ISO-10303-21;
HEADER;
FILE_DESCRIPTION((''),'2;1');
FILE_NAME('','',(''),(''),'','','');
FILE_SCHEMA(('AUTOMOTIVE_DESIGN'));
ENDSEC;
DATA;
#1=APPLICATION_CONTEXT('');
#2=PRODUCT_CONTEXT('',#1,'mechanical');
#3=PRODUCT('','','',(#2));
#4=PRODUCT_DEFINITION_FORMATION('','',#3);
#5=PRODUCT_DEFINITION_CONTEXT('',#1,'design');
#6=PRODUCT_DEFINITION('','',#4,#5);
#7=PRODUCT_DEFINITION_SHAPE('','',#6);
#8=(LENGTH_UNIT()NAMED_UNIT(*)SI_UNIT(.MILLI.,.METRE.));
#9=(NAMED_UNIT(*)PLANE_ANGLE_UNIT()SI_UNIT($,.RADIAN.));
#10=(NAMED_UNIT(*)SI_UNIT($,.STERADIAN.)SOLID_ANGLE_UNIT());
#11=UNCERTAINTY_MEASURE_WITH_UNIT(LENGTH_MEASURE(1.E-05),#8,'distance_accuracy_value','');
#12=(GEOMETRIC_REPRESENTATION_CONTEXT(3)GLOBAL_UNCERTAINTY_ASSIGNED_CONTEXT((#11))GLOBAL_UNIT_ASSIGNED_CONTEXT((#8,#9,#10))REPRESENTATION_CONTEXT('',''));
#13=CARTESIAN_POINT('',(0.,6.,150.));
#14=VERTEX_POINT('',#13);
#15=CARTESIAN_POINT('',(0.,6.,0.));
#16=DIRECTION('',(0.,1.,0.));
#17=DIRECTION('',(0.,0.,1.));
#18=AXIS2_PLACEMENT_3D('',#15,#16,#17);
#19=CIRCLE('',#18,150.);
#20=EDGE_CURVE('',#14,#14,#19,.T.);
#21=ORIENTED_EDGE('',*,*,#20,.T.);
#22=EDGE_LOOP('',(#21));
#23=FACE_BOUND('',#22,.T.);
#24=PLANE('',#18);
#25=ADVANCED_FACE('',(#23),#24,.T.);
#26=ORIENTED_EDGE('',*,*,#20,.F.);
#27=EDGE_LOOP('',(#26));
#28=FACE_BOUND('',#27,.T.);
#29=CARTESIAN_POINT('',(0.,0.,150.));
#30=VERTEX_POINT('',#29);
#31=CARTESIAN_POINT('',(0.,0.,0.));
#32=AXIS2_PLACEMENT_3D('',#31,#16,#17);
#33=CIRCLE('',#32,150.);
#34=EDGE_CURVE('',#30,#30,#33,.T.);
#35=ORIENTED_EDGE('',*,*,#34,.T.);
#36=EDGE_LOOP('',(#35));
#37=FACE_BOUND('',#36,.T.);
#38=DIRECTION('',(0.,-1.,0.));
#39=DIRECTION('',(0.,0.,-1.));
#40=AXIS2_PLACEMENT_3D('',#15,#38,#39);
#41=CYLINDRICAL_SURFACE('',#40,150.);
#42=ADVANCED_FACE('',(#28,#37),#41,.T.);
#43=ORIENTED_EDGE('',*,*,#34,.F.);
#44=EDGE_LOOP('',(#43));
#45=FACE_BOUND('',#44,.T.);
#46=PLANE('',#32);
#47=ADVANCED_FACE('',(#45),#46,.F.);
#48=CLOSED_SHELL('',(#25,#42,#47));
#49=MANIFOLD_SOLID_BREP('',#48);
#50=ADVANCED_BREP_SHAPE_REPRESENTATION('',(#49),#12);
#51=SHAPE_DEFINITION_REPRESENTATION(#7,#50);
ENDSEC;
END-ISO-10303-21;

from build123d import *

# Parameters (mm, degrees)
SKETCH_1_R      = 150
EXTRUDE_1_DEPTH = 6


with BuildPart() as part:
    # 草图1 → 凸台-拉伸1 (new body)
    with BuildSketch(Plane(origin=(0, 0, 0), x_dir=(1, 0, 0), z_dir=(0, 1, 0))):
        with Locations(Location((0, 0, 0), (0, 0, 270))):
            Circle(SKETCH_1_R)
    extrude(amount=EXTRUDE_1_DEPTH)


solid = part.part
